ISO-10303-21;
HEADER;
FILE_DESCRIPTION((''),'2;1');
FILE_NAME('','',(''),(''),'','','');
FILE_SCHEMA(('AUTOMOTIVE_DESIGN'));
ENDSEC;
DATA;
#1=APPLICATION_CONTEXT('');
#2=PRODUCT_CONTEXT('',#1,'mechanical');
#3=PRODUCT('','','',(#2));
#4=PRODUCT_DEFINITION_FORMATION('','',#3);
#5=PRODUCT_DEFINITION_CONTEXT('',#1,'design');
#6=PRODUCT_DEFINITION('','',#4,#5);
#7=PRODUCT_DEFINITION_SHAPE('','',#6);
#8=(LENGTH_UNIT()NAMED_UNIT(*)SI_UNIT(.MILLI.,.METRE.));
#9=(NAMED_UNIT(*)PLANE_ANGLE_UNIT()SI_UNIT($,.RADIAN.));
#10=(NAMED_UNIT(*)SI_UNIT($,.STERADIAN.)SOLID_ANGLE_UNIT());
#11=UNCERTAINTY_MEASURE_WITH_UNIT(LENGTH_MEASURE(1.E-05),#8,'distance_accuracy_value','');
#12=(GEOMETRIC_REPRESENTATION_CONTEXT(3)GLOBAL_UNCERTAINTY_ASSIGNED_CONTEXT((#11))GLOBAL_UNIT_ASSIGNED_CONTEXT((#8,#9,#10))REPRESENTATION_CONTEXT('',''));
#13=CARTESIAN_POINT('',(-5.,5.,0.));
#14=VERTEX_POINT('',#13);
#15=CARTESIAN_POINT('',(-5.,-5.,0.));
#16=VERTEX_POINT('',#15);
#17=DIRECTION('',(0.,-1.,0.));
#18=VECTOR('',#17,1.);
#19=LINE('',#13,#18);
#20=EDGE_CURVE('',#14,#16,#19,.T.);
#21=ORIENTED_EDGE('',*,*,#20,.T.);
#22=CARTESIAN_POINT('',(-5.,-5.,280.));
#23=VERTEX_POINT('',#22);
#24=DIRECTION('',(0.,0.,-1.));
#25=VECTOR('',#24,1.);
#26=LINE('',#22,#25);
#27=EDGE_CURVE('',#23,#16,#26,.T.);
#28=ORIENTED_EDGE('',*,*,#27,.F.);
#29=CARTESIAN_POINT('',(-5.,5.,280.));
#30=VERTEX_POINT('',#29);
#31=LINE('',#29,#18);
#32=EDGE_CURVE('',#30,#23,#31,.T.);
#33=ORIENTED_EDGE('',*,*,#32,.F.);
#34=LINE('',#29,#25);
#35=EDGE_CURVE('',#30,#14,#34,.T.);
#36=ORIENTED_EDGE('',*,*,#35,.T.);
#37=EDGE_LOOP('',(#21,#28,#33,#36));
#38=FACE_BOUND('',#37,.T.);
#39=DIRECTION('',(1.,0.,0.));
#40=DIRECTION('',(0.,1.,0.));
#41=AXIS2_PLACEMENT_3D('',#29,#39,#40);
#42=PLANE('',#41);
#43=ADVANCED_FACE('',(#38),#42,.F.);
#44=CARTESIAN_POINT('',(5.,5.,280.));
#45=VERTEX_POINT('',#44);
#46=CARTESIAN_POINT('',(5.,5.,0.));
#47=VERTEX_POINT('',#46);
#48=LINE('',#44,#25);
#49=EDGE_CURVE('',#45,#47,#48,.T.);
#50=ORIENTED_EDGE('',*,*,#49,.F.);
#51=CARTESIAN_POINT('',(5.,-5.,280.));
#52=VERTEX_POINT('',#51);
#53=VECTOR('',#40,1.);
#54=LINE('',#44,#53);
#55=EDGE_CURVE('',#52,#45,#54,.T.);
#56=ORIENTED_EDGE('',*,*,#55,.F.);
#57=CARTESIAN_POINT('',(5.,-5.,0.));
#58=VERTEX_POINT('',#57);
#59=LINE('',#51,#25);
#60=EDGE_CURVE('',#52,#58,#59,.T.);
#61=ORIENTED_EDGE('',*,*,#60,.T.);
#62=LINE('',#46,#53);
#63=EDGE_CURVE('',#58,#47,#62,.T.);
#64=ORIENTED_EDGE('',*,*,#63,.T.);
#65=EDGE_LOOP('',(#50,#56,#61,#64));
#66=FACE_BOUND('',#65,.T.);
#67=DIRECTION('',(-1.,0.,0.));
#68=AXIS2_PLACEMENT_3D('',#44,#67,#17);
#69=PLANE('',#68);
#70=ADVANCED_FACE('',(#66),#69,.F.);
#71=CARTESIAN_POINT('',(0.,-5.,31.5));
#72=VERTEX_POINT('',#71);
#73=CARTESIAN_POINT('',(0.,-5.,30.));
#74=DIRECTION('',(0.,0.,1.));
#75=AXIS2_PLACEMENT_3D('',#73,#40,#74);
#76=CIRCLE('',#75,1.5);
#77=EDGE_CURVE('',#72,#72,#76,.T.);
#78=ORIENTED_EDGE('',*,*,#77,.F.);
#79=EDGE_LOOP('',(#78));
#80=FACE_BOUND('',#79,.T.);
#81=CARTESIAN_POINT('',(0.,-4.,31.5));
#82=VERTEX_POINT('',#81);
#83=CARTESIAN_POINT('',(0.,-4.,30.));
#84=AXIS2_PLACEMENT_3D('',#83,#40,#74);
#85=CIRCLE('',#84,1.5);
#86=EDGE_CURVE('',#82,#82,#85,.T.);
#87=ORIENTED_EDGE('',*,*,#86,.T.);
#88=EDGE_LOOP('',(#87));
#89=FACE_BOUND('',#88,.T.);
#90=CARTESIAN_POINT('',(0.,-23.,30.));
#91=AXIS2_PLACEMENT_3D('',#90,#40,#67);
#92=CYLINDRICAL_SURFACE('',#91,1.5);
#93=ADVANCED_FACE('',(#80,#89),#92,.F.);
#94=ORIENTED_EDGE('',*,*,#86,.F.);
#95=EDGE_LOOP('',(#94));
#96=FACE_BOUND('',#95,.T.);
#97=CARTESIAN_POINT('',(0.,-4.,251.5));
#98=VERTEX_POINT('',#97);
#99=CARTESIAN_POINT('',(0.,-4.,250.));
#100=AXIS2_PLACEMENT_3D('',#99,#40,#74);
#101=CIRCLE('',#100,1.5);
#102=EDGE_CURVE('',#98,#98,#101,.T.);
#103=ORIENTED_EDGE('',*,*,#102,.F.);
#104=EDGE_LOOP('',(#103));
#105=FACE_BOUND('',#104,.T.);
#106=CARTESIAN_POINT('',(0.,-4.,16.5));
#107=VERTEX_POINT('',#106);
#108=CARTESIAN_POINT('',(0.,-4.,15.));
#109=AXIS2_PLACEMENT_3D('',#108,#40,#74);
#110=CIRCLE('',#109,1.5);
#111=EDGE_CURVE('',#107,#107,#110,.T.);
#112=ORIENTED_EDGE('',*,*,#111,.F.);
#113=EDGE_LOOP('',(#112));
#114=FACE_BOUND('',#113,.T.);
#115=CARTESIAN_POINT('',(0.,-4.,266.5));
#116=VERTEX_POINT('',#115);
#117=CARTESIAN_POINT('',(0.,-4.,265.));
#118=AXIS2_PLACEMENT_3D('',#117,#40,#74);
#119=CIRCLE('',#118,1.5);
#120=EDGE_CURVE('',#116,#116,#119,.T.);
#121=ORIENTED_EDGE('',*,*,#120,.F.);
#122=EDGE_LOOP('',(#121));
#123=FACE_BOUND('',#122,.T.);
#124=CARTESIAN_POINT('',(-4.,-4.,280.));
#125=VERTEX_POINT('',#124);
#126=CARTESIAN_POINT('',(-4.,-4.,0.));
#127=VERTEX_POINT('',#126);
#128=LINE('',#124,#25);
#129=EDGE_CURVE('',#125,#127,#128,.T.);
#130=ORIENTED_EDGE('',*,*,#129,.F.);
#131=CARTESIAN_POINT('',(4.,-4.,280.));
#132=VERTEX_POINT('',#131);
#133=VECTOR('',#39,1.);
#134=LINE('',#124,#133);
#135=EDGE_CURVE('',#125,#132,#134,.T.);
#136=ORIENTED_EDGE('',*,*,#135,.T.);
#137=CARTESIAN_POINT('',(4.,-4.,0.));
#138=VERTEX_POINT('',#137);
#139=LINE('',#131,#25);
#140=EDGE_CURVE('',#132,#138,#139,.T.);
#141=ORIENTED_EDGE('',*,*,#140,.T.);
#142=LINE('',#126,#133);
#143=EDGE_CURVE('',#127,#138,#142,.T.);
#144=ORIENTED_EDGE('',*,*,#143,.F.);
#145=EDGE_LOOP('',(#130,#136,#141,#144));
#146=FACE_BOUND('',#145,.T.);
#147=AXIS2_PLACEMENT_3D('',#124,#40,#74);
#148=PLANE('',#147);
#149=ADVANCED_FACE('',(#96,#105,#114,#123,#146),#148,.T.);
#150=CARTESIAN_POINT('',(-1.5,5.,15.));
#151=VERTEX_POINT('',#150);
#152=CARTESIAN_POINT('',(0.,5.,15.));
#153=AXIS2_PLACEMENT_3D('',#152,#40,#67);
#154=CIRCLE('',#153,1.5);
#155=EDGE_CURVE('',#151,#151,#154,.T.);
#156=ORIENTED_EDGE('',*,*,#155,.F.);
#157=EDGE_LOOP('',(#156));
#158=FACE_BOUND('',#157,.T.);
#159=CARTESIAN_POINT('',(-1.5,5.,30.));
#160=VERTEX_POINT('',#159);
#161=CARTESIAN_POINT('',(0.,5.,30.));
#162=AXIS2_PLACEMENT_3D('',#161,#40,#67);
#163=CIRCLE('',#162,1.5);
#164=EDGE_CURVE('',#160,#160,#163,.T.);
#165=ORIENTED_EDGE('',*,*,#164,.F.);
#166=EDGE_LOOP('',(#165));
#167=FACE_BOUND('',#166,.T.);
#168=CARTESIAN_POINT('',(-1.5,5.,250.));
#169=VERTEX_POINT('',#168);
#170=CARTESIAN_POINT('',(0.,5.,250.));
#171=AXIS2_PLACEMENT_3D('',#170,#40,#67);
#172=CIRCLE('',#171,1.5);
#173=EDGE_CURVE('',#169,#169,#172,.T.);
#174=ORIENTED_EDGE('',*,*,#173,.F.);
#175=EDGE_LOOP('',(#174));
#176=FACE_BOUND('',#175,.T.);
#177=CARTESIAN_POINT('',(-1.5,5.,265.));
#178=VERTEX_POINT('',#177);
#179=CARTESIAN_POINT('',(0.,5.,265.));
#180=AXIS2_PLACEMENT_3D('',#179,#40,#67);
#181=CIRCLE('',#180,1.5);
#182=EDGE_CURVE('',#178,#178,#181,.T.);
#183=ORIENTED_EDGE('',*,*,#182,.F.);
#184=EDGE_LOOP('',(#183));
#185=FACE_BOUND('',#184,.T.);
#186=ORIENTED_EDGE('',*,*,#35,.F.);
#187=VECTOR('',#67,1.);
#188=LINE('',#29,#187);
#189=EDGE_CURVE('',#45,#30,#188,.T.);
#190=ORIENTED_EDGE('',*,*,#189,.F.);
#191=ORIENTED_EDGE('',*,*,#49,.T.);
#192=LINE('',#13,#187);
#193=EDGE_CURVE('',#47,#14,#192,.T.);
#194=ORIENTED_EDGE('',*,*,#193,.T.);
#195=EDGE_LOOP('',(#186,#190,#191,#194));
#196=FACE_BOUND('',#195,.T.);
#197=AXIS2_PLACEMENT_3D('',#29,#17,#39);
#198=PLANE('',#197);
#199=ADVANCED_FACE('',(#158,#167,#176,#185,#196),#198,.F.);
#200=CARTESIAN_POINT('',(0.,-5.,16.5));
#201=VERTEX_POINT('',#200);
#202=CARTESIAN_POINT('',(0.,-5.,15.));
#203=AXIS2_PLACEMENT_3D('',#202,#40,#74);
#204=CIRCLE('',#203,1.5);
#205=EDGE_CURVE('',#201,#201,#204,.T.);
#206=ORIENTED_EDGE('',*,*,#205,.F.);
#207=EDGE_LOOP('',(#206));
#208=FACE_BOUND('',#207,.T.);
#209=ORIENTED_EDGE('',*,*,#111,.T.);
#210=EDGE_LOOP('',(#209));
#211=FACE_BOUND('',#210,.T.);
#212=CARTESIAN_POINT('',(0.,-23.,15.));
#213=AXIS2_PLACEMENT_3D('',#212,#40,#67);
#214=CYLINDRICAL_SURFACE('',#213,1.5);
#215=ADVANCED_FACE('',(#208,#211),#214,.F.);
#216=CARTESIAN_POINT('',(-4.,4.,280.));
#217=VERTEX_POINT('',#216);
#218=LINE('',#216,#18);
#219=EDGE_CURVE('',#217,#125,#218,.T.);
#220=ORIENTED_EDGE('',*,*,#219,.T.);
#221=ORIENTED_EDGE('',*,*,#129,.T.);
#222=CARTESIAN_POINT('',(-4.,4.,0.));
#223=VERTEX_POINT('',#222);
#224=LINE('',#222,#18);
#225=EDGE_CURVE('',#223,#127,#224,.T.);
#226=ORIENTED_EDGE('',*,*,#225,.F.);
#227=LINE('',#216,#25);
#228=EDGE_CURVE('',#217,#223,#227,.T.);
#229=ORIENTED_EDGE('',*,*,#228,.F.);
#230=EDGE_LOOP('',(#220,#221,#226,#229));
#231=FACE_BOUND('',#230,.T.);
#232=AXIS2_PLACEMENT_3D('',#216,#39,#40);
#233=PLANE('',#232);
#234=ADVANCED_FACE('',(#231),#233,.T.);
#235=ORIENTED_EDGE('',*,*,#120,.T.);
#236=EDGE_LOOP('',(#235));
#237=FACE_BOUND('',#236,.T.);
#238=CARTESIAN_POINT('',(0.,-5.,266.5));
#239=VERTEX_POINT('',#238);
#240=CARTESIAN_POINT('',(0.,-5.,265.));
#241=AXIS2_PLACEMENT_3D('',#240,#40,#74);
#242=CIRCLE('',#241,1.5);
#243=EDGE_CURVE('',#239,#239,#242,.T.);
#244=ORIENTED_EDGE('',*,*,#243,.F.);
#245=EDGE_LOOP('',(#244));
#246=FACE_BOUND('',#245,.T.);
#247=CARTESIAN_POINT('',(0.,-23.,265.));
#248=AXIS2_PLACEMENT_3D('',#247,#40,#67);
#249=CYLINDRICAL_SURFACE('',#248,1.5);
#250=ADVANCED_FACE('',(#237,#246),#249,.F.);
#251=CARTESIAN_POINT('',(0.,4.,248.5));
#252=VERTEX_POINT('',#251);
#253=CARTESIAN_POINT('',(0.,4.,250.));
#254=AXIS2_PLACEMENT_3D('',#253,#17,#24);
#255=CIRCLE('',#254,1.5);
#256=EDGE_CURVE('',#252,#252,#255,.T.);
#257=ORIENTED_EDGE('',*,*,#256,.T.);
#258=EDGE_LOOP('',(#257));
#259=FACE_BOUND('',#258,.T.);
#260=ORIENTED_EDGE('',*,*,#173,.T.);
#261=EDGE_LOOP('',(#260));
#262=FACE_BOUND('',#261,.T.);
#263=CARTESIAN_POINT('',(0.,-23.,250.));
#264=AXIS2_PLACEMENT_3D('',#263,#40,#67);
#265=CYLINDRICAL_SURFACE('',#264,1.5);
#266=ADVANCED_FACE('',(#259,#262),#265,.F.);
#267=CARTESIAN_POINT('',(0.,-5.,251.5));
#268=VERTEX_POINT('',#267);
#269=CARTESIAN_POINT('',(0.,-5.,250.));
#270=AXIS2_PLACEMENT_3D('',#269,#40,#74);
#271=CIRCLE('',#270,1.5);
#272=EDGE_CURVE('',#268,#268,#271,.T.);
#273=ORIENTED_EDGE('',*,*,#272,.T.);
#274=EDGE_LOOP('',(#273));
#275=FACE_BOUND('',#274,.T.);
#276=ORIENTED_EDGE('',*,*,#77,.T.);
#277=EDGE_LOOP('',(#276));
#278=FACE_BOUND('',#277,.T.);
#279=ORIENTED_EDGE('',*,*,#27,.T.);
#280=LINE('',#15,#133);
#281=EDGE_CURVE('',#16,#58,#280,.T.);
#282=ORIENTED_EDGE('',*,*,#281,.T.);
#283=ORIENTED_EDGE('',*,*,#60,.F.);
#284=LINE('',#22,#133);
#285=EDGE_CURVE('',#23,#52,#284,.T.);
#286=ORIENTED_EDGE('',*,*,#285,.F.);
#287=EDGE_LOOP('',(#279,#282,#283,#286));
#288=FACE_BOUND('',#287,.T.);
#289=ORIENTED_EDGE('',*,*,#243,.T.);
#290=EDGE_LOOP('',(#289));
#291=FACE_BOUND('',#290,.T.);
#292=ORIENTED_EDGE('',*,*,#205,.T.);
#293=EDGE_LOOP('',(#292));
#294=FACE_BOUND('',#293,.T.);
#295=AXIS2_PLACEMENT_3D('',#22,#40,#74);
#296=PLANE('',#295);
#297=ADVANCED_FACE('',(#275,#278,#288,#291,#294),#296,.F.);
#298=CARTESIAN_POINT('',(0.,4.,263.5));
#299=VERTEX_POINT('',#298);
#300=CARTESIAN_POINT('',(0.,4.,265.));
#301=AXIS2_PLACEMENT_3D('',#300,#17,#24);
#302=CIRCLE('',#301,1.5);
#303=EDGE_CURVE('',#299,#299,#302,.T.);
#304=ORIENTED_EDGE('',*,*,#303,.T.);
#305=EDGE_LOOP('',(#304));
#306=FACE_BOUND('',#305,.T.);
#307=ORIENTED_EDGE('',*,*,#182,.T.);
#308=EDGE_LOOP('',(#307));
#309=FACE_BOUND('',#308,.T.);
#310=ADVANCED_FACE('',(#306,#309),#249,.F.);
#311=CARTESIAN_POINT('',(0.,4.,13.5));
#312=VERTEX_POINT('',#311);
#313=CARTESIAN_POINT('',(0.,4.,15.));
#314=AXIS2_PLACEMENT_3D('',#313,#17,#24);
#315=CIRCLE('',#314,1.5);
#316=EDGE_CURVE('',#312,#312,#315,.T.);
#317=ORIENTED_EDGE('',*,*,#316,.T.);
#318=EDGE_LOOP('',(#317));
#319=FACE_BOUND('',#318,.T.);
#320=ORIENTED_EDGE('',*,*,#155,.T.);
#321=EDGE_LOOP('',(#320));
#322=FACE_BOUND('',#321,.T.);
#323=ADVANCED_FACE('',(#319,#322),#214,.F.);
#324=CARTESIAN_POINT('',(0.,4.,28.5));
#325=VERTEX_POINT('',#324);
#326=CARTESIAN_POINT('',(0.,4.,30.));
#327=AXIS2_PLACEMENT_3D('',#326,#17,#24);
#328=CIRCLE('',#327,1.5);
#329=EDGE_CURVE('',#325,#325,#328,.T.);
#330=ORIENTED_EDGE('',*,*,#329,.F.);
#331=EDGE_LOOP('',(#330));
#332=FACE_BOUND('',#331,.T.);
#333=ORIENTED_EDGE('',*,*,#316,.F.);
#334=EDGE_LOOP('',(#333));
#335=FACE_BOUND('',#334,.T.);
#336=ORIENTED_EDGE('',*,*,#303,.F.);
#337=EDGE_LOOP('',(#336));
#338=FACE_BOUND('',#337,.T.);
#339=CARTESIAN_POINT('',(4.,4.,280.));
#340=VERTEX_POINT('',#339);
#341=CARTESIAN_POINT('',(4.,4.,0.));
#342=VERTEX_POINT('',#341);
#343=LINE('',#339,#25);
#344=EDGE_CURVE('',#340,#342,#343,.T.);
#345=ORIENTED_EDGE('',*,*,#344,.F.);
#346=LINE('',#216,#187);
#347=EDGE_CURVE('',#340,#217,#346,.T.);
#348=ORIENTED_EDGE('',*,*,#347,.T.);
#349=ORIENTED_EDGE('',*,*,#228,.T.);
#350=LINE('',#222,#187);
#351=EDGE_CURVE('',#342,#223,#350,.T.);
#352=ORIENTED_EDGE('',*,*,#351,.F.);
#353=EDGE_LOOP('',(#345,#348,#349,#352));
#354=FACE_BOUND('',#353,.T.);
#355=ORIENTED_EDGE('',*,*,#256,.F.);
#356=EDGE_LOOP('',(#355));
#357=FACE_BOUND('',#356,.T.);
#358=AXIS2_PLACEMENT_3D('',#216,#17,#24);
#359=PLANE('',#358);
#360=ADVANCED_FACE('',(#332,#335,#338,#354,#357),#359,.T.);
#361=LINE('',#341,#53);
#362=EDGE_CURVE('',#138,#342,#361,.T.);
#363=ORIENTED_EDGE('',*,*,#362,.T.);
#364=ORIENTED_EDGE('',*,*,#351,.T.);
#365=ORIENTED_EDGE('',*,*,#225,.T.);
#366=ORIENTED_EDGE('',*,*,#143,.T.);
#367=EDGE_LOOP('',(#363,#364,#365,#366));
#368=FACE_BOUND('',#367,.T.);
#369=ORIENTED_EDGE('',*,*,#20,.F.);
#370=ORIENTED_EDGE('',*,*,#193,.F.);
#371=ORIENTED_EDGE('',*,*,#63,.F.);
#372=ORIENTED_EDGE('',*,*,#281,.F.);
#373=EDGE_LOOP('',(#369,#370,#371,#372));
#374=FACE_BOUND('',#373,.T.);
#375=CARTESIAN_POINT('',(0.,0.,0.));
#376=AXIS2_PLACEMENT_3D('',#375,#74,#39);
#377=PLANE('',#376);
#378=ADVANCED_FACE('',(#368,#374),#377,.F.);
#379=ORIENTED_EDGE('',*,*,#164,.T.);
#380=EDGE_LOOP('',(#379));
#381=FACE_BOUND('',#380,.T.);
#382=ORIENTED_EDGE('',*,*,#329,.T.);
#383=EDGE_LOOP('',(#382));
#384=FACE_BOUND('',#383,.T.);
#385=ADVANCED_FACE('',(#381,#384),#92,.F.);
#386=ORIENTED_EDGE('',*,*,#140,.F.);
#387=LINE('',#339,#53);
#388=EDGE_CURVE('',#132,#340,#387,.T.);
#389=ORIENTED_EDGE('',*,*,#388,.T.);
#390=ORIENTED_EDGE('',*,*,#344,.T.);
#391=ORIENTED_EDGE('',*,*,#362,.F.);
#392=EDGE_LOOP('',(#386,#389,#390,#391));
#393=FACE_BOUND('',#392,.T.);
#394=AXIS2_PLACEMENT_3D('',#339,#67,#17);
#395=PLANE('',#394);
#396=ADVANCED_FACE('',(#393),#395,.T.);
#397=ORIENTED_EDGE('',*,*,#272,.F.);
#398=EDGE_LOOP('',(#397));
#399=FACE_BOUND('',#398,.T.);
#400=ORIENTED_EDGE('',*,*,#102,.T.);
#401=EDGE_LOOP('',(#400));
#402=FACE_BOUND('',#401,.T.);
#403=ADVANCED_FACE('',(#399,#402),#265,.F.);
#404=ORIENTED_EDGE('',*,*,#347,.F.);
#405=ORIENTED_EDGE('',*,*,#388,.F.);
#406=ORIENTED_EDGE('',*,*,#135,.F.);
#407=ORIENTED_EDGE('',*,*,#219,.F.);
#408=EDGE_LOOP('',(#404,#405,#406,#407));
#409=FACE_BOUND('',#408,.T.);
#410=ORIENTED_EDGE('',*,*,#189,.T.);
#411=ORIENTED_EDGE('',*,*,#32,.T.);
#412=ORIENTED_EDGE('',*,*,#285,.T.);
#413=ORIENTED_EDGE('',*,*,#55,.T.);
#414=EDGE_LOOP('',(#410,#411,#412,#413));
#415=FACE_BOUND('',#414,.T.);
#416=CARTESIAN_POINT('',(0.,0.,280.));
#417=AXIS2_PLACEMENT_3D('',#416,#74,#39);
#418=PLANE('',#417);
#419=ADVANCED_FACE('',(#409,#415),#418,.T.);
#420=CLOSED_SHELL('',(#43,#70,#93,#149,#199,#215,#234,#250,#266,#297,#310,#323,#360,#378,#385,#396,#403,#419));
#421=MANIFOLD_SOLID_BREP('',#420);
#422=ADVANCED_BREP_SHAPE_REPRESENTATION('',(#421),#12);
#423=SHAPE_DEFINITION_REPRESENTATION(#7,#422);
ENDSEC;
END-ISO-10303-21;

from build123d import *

# Parameters (mm, degrees)
SKETCH2_W           = 10
SKETCH2_H           = 10
SKETCH2_W_2         = 8
SKETCH2_H_2         = 8
BOSS_EXTRUDE1_DEPTH = 280
SKETCH3_R           = 1.5
CUT_EXTRUDE1_DEPTH  = 28


with BuildPart() as part:
    # Sketch2 → Boss-Extrude1 (new body)
    with BuildSketch(Plane.XY):
        Rectangle(SKETCH2_W, SKETCH2_H)
        Rectangle(SKETCH2_W_2, SKETCH2_H_2, mode=Mode.SUBTRACT)
    extrude(amount=BOSS_EXTRUDE1_DEPTH)

    # Sketch3 → Cut-Extrude1 (cut)
    with BuildSketch(Plane(origin=(0, 5, 0), x_dir=(1, 0, 0), z_dir=(0, 1, 0))):
        with Locations((0, -15)):
            Circle(SKETCH3_R)
        with Locations((0, -30)):
            Circle(SKETCH3_R)
        with Locations((0, -265)):
            Circle(SKETCH3_R)
        with Locations((0, -250)):
            Circle(SKETCH3_R)
    extrude(amount=-CUT_EXTRUDE1_DEPTH, mode=Mode.SUBTRACT)


solid = part.part
